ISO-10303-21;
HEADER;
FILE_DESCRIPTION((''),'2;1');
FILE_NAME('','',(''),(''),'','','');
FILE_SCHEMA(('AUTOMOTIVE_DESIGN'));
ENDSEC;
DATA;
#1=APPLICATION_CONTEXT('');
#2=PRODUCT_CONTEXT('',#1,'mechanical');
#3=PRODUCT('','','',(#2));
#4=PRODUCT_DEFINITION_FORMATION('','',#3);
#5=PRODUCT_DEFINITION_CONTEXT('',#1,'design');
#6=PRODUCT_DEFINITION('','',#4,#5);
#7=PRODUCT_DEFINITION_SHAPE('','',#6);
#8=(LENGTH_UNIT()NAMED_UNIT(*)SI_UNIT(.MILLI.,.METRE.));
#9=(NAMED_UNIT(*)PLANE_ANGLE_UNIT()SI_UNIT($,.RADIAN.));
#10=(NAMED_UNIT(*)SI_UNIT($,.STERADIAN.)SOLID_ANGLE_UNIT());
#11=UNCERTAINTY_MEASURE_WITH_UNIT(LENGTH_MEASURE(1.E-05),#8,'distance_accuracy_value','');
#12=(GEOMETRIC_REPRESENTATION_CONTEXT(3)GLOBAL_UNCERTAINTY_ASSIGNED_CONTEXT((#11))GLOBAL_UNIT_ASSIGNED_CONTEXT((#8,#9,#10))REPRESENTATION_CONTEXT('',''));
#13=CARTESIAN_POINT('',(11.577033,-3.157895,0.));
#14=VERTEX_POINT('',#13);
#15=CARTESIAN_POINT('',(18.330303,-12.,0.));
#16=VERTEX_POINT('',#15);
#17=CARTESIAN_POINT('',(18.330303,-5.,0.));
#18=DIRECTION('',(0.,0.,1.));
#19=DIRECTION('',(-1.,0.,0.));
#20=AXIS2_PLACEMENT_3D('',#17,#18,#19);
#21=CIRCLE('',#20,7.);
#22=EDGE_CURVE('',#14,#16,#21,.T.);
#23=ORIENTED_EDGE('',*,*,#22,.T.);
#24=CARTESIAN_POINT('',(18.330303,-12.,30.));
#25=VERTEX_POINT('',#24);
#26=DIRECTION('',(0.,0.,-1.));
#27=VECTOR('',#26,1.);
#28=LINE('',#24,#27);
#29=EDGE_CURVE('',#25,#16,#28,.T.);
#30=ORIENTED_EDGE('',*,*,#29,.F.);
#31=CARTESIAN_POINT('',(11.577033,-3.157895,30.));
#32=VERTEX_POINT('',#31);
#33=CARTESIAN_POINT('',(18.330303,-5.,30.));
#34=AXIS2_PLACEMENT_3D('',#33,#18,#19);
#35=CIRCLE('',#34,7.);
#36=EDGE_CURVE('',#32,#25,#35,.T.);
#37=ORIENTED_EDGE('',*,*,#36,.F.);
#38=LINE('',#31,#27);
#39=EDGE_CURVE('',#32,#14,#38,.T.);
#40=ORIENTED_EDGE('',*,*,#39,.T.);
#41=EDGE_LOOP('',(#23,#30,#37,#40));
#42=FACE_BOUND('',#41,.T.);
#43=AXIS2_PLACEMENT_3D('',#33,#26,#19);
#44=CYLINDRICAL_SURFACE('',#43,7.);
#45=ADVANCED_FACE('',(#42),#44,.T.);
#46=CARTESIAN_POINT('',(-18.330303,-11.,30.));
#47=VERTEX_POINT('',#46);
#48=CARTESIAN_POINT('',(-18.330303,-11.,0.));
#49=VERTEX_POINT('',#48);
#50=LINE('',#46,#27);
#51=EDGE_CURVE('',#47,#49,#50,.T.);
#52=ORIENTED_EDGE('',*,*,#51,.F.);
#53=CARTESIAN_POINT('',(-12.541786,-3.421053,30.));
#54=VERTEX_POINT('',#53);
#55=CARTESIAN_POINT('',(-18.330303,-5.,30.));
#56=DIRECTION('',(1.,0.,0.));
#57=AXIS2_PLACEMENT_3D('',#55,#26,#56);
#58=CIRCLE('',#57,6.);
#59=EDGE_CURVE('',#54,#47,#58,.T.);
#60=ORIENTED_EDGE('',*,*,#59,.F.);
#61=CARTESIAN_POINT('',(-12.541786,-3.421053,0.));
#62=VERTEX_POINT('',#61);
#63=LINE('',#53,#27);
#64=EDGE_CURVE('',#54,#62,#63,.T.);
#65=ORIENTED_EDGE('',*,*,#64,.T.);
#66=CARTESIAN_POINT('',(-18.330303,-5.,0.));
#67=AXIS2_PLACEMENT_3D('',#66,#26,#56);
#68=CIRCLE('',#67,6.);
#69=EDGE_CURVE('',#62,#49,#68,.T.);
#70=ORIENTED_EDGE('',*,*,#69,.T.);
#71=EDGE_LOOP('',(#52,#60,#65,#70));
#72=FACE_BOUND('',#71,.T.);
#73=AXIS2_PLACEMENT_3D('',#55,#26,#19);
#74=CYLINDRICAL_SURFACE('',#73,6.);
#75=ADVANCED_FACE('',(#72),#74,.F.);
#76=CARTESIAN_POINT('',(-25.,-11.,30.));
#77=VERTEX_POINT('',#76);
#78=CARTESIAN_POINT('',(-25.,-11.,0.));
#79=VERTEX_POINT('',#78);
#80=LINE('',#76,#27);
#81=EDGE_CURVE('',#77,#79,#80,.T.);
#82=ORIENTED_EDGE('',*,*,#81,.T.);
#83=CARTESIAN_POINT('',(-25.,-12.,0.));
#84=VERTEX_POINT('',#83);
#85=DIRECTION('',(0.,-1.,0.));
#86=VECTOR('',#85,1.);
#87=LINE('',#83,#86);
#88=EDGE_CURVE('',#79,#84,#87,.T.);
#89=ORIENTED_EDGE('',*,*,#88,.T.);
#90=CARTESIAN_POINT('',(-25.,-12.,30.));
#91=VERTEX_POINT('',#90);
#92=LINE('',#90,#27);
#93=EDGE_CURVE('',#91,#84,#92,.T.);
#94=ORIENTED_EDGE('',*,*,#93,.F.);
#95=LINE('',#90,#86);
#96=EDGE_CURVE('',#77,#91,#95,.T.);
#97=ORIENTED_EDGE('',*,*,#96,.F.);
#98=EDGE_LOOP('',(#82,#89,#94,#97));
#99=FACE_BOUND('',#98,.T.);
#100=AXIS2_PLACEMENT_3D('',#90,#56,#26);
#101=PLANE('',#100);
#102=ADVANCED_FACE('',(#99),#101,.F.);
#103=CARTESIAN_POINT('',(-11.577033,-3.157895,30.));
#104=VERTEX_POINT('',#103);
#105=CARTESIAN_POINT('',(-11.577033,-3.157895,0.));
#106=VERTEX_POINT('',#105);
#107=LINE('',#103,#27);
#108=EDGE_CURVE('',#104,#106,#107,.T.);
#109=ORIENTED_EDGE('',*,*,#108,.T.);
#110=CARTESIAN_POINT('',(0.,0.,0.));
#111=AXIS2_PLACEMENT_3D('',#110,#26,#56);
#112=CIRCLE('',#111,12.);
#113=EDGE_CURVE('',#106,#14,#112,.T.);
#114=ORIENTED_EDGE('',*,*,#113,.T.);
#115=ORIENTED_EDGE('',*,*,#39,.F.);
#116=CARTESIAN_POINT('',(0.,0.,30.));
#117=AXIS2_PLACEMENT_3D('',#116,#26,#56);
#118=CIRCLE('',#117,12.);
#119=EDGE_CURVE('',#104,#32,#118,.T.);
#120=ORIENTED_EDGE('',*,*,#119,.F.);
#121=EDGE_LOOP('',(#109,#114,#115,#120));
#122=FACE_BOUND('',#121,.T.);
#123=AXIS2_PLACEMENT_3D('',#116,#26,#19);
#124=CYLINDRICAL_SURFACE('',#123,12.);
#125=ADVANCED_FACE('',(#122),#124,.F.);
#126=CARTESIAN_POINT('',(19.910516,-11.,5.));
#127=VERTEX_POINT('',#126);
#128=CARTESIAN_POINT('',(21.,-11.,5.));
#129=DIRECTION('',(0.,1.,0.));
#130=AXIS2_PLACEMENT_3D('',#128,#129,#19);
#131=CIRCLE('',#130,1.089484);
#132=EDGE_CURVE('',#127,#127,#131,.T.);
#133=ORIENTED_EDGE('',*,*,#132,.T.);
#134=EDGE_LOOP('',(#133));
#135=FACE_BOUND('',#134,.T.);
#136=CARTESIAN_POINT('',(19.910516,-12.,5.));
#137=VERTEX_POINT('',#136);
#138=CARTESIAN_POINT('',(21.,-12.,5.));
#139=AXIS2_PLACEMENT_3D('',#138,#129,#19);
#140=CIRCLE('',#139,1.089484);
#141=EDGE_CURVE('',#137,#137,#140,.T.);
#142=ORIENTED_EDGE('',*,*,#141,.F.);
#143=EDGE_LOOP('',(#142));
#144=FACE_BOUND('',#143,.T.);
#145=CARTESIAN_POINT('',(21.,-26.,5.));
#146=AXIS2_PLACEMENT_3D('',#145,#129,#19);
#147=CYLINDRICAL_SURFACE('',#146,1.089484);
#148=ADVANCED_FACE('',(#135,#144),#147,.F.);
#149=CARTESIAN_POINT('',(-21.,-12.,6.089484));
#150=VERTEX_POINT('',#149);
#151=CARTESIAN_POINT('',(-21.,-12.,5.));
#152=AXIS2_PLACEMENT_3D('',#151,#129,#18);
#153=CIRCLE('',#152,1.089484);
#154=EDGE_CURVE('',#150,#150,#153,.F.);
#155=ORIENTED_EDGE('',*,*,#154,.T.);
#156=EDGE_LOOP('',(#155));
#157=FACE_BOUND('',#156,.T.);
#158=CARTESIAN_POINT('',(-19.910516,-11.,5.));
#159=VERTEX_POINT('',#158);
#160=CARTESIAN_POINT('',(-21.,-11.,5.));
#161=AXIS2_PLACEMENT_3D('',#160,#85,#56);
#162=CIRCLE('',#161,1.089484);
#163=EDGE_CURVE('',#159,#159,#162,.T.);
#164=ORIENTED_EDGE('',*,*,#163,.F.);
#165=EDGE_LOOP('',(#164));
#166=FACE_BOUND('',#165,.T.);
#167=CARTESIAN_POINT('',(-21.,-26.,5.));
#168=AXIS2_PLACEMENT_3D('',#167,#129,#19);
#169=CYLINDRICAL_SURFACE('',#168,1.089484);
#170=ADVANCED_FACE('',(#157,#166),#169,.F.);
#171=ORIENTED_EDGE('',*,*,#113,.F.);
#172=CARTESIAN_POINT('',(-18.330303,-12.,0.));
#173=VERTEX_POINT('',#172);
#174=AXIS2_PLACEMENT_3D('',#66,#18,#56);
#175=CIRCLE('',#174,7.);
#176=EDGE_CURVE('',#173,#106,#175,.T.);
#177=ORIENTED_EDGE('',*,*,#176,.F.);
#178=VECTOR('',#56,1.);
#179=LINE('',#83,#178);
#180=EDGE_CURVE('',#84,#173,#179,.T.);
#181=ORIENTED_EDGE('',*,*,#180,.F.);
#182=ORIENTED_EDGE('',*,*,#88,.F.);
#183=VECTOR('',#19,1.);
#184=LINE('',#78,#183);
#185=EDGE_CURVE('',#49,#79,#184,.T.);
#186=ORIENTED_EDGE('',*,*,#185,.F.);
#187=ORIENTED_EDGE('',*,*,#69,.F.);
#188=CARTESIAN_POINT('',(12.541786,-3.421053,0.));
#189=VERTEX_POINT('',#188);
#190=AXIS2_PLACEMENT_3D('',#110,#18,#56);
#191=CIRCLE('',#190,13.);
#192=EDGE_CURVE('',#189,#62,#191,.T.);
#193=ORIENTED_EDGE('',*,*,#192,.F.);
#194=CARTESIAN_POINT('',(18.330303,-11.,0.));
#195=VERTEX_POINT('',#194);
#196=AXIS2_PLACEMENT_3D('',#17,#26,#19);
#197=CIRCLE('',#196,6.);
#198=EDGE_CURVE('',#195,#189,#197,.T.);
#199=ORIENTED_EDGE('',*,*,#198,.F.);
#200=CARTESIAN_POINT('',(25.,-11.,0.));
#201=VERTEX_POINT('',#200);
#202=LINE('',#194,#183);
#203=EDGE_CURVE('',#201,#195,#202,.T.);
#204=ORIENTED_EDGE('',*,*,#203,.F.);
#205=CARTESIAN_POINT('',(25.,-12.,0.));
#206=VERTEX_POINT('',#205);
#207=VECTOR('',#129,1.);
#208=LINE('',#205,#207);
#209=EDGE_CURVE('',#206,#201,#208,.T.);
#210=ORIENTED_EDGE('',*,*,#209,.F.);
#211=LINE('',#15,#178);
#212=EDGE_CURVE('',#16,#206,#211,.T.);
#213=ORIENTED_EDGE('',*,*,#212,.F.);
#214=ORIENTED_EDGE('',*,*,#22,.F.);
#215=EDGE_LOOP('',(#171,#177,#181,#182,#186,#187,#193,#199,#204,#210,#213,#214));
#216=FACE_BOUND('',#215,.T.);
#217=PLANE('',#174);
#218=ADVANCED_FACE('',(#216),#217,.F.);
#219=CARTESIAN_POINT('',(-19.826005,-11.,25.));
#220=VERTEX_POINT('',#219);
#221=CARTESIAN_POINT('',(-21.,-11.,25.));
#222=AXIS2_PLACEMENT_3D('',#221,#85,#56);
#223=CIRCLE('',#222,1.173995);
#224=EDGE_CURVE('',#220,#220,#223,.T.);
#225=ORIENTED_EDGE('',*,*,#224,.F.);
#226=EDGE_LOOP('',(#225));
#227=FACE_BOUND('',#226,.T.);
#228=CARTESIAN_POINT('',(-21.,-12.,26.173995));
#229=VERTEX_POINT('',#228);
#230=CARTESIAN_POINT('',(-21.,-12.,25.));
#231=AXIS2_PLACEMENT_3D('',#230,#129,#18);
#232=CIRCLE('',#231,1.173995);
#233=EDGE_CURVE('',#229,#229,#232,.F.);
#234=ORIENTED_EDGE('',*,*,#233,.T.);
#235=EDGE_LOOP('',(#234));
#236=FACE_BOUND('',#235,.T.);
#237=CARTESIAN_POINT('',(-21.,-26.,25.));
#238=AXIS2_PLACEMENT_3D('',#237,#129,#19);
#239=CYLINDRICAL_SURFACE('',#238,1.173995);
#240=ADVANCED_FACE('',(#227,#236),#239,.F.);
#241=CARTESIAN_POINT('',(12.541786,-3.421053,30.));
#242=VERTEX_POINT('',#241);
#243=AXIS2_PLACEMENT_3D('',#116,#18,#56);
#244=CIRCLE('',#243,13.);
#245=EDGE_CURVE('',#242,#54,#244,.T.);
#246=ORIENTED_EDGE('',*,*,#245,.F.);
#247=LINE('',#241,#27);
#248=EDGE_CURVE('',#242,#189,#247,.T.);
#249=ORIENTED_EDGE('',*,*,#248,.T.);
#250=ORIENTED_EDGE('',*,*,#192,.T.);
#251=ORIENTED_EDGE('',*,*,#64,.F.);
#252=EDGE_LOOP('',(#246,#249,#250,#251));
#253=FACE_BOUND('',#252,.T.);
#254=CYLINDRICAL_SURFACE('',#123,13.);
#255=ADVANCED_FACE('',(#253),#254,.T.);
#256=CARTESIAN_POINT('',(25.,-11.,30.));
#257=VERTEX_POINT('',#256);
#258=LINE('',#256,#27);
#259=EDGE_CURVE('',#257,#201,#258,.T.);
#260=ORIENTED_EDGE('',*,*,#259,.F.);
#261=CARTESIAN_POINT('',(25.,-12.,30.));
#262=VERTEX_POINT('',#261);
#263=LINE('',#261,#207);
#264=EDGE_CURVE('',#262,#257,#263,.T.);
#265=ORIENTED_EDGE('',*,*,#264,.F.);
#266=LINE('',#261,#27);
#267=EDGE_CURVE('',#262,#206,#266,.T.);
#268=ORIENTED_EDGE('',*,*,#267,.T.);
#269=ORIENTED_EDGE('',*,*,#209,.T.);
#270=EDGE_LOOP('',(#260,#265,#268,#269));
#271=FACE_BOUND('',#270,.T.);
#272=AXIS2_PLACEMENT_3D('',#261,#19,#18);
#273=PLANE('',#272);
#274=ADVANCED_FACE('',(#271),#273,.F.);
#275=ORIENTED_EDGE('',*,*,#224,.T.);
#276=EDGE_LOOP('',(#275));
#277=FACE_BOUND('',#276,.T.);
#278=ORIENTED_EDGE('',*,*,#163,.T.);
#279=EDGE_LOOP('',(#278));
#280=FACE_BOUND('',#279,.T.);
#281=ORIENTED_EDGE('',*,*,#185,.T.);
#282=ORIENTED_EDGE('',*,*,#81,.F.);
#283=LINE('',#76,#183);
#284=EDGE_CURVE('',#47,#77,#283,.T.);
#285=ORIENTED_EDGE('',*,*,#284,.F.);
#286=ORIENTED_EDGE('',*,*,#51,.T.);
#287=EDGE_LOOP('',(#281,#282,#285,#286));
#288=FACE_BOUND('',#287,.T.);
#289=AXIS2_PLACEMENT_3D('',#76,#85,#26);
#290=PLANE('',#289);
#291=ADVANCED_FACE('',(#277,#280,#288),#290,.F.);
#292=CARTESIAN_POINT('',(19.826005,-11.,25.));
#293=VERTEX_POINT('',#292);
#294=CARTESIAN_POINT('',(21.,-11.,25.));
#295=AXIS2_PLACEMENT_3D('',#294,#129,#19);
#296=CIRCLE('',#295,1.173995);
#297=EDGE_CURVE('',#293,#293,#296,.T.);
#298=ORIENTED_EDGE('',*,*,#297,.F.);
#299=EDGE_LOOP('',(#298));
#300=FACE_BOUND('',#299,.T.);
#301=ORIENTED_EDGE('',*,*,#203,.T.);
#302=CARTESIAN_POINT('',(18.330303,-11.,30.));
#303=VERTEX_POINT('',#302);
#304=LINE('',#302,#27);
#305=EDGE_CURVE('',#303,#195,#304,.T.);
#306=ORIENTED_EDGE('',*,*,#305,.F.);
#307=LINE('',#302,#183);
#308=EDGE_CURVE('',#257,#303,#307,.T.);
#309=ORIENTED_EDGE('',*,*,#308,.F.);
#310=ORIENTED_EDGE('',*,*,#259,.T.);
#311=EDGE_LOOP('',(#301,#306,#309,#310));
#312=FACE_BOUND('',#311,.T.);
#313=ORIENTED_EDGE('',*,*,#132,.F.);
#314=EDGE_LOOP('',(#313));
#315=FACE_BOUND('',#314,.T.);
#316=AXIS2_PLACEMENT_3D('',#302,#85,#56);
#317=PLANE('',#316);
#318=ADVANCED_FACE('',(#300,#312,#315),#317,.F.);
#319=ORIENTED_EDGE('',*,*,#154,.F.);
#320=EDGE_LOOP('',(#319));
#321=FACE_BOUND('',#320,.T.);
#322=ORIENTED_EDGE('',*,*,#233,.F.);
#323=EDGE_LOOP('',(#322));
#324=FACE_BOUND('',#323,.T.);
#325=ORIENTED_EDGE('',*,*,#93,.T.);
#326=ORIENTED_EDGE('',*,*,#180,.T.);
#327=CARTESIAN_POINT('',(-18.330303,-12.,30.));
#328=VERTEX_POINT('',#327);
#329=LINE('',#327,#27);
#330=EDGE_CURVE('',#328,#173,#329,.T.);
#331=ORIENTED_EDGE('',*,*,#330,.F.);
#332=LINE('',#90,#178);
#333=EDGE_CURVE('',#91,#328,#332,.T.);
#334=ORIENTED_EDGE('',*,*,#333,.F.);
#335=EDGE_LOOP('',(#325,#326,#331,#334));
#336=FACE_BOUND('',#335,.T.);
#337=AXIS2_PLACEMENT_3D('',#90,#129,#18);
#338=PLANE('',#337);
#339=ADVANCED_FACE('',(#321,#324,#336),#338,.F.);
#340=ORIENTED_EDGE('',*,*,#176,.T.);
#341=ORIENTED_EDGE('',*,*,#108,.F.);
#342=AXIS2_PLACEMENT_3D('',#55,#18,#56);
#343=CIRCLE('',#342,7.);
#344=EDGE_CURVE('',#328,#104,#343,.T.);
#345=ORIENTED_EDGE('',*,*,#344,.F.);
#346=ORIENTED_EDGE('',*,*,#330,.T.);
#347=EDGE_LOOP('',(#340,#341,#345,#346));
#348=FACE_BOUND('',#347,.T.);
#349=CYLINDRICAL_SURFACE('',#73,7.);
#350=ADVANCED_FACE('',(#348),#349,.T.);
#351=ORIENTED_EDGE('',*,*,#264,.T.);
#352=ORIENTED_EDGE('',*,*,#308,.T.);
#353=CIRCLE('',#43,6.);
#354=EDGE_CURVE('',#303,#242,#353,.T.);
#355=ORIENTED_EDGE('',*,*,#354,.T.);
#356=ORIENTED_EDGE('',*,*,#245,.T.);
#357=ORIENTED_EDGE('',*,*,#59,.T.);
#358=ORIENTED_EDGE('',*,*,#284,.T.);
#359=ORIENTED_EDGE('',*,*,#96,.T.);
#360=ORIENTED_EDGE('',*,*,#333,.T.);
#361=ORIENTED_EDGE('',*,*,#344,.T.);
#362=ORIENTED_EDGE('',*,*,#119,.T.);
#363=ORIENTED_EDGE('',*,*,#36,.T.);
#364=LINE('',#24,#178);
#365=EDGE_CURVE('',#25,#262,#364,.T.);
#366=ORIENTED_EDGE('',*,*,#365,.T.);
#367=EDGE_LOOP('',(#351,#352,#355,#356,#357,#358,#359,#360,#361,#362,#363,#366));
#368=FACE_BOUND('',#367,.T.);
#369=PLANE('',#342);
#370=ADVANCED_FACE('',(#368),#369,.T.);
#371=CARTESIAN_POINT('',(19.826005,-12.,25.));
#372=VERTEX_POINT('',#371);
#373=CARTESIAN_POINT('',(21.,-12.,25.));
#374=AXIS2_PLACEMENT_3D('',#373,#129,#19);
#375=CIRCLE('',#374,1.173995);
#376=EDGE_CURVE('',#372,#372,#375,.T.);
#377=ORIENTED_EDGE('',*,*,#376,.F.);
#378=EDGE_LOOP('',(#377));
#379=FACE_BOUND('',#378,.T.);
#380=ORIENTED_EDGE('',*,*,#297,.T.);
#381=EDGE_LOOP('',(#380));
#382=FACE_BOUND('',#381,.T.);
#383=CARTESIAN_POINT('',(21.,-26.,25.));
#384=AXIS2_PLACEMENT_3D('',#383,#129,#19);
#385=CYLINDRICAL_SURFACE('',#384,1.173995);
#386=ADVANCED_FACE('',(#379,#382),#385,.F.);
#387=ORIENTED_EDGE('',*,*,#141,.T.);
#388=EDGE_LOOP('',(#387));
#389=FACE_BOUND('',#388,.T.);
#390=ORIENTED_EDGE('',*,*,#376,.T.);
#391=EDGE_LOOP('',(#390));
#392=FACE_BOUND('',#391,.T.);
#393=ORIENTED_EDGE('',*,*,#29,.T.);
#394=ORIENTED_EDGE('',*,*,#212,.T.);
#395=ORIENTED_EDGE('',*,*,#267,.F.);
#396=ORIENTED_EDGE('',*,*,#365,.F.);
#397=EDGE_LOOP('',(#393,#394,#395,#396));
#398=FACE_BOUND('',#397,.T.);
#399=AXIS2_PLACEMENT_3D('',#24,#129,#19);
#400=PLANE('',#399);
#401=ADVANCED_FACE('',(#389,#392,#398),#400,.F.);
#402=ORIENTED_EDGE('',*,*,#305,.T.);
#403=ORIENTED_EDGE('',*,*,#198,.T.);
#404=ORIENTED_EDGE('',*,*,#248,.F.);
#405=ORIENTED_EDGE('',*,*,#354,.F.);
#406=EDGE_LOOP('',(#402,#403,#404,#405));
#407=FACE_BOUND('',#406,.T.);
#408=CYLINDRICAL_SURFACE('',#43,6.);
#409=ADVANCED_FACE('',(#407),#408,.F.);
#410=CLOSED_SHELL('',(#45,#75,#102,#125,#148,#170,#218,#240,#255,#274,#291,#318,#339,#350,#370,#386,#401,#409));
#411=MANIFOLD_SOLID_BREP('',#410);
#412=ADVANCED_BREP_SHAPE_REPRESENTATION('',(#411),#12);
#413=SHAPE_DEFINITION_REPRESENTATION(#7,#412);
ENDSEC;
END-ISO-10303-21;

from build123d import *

# Parameters (mm, degrees)
BOSS_EXTRUDE1_DEPTH = 30
SKETCH2_R           = 1.089483659
SKETCH2_R_2         = 1.173994866
CUT_EXTRUDE1_DEPTH  = 15


with BuildPart() as part:
    # Sketch1 → Boss-Extrude1 (new body)
    with BuildSketch(Plane.XY):
        with BuildLine():
            Line((-25, -12), (-18.33030278, -12))
            ThreePointArc((-18.33030278, -12), (-12.76726688, -9.248838851), (-11.577033335, -3.157894737))
            ThreePointArc((-11.577033335, -3.157894737), (0, 12), (11.577033335, -3.157894737))
            ThreePointArc((11.577033335, -3.157894737), (12.76726688, -9.248838851), (18.33030278, -12))
            Line((18.33030278, -12), (25, -12))
            Line((25, -12), (25, -11))
            Line((25, -11), (18.33030278, -11))
            ThreePointArc((18.33030278, -11), (13.561986294, -8.641861872), (12.541786113, -3.421052632))
            ThreePointArc((12.541786113, -3.421052632), (0, 13), (-12.541786113, -3.421052632))
            ThreePointArc((-12.541786113, -3.421052632), (-13.561986294, -8.641861872), (-18.33030278, -11))
            Line((-18.33030278, -11), (-25, -11))
            Line((-25, -11), (-25, -12))
        make_face()
    extrude(amount=BOSS_EXTRUDE1_DEPTH)

    # Sketch2 → Cut-Extrude1 (cut)
    with BuildSketch(Plane(origin=(0, -11, 0), x_dir=(1, 0, 0), z_dir=(0, 1, 0))):
        with Locations((21, -5)):
            Circle(SKETCH2_R)
        with Locations((21, -25)):
            Circle(SKETCH2_R_2)
    cut_extrude1 = extrude(amount=-CUT_EXTRUDE1_DEPTH, mode=Mode.SUBTRACT)

    # Mirror1: Cut-Extrude1 across plane
    add(cut_extrude1.mirror(Plane(origin=(0, 0, 0), x_dir=(0, 0, 1), z_dir=(1, 0, 0))), mode=Mode.SUBTRACT)


solid = part.part
